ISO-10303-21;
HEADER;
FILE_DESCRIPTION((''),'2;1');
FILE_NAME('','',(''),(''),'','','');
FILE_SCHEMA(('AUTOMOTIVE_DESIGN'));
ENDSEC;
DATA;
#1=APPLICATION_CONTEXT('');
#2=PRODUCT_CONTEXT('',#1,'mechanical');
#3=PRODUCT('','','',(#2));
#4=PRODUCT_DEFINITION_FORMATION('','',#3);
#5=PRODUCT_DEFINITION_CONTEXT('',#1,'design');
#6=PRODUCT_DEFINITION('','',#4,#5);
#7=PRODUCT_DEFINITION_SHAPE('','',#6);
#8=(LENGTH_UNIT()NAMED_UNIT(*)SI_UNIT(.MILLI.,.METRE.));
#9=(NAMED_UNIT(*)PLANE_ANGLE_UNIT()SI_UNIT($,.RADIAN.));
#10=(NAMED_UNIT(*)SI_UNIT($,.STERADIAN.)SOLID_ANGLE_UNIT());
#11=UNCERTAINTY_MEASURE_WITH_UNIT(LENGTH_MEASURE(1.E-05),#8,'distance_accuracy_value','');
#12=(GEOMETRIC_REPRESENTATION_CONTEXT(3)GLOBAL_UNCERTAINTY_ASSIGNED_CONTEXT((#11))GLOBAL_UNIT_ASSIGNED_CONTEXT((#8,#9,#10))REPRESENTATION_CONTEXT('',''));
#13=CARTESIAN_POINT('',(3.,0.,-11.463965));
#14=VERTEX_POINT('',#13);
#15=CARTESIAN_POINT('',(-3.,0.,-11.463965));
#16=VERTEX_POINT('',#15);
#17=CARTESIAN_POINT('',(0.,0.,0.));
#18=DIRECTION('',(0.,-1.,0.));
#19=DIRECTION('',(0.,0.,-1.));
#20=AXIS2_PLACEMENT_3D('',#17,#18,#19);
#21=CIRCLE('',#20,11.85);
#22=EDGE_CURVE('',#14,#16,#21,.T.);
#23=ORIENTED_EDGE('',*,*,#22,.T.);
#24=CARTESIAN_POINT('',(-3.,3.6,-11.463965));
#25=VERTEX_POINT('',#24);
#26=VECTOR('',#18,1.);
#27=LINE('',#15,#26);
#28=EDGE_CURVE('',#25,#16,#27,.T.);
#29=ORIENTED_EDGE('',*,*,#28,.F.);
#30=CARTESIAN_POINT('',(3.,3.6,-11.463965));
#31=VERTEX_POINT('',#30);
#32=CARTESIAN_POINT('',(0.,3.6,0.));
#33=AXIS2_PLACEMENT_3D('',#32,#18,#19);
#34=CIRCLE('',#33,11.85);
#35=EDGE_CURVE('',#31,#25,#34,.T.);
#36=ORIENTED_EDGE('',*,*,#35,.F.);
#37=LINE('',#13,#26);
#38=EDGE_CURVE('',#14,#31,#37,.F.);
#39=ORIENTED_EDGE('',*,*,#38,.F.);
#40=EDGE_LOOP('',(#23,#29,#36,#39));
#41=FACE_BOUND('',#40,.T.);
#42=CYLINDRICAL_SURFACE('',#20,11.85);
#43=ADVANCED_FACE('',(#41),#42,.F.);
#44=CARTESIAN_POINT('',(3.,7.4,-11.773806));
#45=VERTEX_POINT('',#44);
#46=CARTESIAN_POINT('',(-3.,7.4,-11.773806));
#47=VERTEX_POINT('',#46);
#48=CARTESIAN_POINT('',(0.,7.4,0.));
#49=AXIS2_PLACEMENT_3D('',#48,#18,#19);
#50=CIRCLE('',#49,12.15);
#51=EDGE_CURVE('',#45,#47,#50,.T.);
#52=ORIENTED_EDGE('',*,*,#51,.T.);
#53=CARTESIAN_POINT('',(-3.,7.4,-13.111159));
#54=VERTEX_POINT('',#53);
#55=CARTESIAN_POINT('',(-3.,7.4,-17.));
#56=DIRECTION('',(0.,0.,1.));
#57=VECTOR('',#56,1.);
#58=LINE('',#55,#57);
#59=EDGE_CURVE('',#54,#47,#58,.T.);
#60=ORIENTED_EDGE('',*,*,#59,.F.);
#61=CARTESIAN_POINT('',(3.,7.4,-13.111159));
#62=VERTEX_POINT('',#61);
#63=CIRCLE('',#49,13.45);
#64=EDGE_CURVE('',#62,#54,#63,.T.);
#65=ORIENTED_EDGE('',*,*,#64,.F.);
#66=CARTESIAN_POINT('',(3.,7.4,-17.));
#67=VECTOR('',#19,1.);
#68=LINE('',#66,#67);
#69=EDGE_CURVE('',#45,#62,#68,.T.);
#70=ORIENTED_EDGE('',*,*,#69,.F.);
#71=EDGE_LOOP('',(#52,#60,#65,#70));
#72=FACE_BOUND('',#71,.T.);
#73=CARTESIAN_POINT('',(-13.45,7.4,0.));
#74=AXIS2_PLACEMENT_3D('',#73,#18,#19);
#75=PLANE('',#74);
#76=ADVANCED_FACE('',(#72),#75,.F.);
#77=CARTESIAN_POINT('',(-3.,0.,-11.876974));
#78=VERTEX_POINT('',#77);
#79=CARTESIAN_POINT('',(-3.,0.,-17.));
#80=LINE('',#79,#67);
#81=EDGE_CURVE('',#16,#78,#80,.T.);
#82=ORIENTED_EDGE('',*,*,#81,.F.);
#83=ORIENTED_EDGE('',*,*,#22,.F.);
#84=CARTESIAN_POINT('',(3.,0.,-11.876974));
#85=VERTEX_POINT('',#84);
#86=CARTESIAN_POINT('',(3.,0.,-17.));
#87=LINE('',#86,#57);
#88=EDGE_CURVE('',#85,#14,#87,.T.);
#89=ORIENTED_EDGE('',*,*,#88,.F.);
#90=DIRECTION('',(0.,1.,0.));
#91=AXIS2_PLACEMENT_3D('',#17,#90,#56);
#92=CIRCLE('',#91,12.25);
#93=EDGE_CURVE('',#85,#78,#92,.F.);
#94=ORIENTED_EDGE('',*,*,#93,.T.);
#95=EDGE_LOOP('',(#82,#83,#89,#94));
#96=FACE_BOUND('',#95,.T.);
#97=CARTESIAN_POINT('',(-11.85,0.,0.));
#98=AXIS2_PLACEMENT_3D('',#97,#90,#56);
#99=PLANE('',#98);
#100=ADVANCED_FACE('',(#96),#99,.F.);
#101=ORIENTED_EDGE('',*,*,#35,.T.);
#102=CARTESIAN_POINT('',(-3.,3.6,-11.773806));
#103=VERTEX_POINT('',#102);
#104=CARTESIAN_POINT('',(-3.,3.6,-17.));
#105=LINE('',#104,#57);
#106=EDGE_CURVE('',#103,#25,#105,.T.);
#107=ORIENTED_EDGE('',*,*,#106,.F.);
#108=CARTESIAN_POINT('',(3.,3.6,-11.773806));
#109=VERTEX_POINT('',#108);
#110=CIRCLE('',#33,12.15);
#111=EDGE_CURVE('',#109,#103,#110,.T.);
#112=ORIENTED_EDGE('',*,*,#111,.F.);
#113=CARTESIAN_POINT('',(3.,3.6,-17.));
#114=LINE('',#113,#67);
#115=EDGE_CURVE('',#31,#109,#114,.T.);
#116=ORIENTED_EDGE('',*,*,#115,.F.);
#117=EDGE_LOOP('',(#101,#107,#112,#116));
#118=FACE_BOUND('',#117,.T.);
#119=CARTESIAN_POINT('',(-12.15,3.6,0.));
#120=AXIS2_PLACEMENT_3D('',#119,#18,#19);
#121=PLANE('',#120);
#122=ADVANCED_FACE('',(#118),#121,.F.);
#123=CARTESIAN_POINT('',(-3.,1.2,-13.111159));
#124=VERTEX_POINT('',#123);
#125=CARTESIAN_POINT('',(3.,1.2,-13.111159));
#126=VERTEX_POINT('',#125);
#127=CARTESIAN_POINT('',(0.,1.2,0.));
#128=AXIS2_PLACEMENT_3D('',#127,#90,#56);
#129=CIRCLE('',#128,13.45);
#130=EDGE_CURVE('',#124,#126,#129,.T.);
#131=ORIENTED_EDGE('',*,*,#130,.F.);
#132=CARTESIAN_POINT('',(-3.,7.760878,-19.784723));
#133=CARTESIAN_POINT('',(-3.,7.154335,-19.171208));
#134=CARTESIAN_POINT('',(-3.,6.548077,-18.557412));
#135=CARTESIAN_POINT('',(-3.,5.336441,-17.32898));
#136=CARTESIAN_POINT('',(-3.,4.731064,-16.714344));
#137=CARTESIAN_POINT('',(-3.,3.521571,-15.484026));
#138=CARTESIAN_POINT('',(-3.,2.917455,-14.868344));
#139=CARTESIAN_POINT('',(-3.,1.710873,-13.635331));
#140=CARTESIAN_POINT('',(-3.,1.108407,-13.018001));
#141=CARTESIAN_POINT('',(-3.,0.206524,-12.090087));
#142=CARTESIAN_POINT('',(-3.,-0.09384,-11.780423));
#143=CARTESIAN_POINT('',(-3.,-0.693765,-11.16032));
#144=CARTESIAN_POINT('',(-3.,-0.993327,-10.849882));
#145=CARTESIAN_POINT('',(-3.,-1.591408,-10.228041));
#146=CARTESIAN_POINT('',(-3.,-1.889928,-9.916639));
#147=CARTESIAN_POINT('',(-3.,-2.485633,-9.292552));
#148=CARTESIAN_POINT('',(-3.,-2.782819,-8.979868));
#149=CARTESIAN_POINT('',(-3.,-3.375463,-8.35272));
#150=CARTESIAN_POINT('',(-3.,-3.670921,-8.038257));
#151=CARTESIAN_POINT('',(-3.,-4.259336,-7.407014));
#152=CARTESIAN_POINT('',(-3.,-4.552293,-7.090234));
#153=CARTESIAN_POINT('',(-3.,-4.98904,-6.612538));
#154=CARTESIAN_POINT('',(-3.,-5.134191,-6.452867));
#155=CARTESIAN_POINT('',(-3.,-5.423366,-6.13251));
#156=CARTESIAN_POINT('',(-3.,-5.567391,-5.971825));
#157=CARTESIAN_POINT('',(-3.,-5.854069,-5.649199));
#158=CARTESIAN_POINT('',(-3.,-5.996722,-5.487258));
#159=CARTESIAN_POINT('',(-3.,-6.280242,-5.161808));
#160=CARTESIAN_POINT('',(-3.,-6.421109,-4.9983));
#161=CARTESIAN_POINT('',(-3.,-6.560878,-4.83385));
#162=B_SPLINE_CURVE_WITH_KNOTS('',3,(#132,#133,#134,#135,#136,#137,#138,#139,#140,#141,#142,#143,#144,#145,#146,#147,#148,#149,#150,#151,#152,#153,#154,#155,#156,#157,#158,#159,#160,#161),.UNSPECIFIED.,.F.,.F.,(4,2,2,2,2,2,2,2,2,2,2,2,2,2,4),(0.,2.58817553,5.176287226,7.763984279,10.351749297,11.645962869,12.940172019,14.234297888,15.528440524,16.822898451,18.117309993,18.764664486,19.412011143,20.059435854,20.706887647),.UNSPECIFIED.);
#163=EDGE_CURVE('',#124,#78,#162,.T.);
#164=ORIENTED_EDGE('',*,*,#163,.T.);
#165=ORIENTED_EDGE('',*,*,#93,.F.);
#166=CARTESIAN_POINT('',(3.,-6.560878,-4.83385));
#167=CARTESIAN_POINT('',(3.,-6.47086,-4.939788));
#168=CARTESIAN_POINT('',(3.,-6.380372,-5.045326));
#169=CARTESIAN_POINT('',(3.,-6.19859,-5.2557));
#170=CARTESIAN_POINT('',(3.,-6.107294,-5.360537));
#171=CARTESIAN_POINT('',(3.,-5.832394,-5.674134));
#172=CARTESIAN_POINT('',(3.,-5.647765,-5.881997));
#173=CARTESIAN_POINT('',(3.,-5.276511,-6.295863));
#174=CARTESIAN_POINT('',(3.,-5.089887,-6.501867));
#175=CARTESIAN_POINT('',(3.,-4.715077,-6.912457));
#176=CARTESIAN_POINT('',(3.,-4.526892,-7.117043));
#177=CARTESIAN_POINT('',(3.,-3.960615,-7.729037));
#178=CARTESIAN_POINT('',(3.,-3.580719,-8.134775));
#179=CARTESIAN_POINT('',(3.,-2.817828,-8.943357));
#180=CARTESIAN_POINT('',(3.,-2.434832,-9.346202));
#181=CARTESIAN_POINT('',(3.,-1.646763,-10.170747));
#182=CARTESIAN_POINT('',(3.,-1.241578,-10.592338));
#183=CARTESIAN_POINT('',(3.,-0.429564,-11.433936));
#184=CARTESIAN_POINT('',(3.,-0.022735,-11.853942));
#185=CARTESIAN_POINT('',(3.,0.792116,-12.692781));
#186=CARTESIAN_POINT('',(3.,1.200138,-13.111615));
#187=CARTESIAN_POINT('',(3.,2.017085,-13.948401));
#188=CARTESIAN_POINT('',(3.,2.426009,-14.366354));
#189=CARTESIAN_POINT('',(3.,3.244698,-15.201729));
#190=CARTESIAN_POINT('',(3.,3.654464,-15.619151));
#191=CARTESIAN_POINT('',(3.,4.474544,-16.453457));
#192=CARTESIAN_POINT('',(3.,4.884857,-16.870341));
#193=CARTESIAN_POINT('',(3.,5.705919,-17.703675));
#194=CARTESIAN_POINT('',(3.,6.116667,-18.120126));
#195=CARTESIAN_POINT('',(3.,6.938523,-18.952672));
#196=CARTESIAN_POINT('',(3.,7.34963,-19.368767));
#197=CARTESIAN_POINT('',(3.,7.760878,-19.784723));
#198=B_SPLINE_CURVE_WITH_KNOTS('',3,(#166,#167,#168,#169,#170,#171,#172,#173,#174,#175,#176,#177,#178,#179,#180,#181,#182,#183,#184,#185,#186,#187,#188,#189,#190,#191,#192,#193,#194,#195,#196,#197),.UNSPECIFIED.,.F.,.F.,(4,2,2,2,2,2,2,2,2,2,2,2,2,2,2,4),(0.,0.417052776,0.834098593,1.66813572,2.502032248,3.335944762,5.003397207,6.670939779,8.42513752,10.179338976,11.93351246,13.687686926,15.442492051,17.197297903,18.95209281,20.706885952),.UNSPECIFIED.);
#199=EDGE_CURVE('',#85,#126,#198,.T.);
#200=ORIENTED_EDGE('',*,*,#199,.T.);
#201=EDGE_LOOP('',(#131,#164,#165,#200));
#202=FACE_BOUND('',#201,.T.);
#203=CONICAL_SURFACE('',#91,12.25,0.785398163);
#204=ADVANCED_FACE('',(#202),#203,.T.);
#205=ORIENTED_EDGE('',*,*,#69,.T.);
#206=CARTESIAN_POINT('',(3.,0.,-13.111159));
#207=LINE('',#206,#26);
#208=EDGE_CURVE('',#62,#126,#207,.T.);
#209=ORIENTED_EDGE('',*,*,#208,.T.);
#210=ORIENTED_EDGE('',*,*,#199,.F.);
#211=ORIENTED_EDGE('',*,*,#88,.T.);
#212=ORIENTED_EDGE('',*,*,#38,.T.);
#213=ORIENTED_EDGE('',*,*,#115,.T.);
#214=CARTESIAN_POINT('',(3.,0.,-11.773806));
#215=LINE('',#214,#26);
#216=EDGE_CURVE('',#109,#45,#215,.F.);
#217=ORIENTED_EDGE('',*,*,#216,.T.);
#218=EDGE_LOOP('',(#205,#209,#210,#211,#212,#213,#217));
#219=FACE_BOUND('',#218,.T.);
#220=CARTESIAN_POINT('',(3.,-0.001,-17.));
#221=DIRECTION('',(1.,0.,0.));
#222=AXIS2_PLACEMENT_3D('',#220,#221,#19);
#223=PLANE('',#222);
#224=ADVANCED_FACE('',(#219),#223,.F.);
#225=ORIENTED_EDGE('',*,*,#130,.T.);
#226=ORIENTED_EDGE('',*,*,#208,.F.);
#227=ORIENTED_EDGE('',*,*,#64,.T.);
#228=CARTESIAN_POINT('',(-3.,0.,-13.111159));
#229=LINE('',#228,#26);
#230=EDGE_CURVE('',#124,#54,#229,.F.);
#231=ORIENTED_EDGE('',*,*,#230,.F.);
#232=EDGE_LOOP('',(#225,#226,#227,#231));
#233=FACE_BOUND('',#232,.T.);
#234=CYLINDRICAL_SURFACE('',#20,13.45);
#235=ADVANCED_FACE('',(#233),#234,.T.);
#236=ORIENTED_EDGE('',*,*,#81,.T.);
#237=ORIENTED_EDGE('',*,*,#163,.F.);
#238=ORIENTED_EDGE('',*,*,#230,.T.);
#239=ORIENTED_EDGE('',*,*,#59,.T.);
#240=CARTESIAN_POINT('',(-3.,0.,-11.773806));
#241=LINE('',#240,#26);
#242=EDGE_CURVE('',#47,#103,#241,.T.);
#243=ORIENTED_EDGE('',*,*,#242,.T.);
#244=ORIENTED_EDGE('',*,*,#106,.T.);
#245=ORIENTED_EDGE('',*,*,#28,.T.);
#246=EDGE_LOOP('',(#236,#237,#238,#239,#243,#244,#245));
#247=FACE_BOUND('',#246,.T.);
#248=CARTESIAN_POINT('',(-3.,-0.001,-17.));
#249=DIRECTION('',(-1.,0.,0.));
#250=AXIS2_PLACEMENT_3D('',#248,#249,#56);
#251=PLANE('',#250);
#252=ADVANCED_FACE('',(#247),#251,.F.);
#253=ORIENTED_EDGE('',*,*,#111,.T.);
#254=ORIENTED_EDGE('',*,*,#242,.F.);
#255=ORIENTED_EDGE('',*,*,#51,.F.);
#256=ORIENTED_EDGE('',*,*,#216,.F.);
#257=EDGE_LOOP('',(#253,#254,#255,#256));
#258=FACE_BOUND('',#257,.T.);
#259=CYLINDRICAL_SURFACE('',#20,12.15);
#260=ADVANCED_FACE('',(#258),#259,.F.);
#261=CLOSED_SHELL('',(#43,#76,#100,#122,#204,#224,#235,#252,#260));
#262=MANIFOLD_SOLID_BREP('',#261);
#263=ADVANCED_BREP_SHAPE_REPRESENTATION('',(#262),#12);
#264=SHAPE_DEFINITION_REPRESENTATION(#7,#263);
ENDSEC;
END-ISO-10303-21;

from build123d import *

# Parameters (mm, degrees)
CHAMFER_1_SIZE      = 1.2
CUT_EXTRUDE_1_REACH = 22.41
SKETCH_2_W          = 6
SKETCH_2_H          = 10


with BuildPart() as part:
    # Эскиз1 → Повернуть1 (revolve)
    with BuildSketch(Plane.XY, mode=Mode.PRIVATE) as revolve_1_sk:
        Polygon((-11.85, 0), (-13.45, 0), (-13.45, 7.4), (-12.15, 7.4), (-12.15, 3.6), (-11.85, 3.6), align=None)
    revolve(revolve_1_sk.sketch.rotate(Axis((0, 0, 0), (0, 1, 0)), 270), axis=Axis((0, 0, 0), (0, 1, 0)))

    # Фаска1
    chamfer_1_edges = [part.edges().sort_by_distance(p)[0] for p in [
        (0, 0, 13.45),
    ]]
    chamfer(chamfer_1_edges, length=CHAMFER_1_SIZE)

    # Эскиз2 → Вырез-Вытянуть1 (cut, up to next)
    with BuildSketch(Plane(origin=(0, 7.4, 0), x_dir=(1, 0, 0), z_dir=(0, 1, 0)), mode=Mode.PRIVATE) as cut_extrude_1_sk1:
        with Locations((0, 12)):
            Rectangle(SKETCH_2_W, SKETCH_2_H)
    cut_extrude_1_tool1 = extrude(cut_extrude_1_sk1.sketch, amount=-CUT_EXTRUDE_1_REACH, mode=Mode.PRIVATE) & part.part
    add(cut_extrude_1_tool1.solids().sort_by_distance((0, 7.4, -12))[0], mode=Mode.SUBTRACT)


solid = part.part
